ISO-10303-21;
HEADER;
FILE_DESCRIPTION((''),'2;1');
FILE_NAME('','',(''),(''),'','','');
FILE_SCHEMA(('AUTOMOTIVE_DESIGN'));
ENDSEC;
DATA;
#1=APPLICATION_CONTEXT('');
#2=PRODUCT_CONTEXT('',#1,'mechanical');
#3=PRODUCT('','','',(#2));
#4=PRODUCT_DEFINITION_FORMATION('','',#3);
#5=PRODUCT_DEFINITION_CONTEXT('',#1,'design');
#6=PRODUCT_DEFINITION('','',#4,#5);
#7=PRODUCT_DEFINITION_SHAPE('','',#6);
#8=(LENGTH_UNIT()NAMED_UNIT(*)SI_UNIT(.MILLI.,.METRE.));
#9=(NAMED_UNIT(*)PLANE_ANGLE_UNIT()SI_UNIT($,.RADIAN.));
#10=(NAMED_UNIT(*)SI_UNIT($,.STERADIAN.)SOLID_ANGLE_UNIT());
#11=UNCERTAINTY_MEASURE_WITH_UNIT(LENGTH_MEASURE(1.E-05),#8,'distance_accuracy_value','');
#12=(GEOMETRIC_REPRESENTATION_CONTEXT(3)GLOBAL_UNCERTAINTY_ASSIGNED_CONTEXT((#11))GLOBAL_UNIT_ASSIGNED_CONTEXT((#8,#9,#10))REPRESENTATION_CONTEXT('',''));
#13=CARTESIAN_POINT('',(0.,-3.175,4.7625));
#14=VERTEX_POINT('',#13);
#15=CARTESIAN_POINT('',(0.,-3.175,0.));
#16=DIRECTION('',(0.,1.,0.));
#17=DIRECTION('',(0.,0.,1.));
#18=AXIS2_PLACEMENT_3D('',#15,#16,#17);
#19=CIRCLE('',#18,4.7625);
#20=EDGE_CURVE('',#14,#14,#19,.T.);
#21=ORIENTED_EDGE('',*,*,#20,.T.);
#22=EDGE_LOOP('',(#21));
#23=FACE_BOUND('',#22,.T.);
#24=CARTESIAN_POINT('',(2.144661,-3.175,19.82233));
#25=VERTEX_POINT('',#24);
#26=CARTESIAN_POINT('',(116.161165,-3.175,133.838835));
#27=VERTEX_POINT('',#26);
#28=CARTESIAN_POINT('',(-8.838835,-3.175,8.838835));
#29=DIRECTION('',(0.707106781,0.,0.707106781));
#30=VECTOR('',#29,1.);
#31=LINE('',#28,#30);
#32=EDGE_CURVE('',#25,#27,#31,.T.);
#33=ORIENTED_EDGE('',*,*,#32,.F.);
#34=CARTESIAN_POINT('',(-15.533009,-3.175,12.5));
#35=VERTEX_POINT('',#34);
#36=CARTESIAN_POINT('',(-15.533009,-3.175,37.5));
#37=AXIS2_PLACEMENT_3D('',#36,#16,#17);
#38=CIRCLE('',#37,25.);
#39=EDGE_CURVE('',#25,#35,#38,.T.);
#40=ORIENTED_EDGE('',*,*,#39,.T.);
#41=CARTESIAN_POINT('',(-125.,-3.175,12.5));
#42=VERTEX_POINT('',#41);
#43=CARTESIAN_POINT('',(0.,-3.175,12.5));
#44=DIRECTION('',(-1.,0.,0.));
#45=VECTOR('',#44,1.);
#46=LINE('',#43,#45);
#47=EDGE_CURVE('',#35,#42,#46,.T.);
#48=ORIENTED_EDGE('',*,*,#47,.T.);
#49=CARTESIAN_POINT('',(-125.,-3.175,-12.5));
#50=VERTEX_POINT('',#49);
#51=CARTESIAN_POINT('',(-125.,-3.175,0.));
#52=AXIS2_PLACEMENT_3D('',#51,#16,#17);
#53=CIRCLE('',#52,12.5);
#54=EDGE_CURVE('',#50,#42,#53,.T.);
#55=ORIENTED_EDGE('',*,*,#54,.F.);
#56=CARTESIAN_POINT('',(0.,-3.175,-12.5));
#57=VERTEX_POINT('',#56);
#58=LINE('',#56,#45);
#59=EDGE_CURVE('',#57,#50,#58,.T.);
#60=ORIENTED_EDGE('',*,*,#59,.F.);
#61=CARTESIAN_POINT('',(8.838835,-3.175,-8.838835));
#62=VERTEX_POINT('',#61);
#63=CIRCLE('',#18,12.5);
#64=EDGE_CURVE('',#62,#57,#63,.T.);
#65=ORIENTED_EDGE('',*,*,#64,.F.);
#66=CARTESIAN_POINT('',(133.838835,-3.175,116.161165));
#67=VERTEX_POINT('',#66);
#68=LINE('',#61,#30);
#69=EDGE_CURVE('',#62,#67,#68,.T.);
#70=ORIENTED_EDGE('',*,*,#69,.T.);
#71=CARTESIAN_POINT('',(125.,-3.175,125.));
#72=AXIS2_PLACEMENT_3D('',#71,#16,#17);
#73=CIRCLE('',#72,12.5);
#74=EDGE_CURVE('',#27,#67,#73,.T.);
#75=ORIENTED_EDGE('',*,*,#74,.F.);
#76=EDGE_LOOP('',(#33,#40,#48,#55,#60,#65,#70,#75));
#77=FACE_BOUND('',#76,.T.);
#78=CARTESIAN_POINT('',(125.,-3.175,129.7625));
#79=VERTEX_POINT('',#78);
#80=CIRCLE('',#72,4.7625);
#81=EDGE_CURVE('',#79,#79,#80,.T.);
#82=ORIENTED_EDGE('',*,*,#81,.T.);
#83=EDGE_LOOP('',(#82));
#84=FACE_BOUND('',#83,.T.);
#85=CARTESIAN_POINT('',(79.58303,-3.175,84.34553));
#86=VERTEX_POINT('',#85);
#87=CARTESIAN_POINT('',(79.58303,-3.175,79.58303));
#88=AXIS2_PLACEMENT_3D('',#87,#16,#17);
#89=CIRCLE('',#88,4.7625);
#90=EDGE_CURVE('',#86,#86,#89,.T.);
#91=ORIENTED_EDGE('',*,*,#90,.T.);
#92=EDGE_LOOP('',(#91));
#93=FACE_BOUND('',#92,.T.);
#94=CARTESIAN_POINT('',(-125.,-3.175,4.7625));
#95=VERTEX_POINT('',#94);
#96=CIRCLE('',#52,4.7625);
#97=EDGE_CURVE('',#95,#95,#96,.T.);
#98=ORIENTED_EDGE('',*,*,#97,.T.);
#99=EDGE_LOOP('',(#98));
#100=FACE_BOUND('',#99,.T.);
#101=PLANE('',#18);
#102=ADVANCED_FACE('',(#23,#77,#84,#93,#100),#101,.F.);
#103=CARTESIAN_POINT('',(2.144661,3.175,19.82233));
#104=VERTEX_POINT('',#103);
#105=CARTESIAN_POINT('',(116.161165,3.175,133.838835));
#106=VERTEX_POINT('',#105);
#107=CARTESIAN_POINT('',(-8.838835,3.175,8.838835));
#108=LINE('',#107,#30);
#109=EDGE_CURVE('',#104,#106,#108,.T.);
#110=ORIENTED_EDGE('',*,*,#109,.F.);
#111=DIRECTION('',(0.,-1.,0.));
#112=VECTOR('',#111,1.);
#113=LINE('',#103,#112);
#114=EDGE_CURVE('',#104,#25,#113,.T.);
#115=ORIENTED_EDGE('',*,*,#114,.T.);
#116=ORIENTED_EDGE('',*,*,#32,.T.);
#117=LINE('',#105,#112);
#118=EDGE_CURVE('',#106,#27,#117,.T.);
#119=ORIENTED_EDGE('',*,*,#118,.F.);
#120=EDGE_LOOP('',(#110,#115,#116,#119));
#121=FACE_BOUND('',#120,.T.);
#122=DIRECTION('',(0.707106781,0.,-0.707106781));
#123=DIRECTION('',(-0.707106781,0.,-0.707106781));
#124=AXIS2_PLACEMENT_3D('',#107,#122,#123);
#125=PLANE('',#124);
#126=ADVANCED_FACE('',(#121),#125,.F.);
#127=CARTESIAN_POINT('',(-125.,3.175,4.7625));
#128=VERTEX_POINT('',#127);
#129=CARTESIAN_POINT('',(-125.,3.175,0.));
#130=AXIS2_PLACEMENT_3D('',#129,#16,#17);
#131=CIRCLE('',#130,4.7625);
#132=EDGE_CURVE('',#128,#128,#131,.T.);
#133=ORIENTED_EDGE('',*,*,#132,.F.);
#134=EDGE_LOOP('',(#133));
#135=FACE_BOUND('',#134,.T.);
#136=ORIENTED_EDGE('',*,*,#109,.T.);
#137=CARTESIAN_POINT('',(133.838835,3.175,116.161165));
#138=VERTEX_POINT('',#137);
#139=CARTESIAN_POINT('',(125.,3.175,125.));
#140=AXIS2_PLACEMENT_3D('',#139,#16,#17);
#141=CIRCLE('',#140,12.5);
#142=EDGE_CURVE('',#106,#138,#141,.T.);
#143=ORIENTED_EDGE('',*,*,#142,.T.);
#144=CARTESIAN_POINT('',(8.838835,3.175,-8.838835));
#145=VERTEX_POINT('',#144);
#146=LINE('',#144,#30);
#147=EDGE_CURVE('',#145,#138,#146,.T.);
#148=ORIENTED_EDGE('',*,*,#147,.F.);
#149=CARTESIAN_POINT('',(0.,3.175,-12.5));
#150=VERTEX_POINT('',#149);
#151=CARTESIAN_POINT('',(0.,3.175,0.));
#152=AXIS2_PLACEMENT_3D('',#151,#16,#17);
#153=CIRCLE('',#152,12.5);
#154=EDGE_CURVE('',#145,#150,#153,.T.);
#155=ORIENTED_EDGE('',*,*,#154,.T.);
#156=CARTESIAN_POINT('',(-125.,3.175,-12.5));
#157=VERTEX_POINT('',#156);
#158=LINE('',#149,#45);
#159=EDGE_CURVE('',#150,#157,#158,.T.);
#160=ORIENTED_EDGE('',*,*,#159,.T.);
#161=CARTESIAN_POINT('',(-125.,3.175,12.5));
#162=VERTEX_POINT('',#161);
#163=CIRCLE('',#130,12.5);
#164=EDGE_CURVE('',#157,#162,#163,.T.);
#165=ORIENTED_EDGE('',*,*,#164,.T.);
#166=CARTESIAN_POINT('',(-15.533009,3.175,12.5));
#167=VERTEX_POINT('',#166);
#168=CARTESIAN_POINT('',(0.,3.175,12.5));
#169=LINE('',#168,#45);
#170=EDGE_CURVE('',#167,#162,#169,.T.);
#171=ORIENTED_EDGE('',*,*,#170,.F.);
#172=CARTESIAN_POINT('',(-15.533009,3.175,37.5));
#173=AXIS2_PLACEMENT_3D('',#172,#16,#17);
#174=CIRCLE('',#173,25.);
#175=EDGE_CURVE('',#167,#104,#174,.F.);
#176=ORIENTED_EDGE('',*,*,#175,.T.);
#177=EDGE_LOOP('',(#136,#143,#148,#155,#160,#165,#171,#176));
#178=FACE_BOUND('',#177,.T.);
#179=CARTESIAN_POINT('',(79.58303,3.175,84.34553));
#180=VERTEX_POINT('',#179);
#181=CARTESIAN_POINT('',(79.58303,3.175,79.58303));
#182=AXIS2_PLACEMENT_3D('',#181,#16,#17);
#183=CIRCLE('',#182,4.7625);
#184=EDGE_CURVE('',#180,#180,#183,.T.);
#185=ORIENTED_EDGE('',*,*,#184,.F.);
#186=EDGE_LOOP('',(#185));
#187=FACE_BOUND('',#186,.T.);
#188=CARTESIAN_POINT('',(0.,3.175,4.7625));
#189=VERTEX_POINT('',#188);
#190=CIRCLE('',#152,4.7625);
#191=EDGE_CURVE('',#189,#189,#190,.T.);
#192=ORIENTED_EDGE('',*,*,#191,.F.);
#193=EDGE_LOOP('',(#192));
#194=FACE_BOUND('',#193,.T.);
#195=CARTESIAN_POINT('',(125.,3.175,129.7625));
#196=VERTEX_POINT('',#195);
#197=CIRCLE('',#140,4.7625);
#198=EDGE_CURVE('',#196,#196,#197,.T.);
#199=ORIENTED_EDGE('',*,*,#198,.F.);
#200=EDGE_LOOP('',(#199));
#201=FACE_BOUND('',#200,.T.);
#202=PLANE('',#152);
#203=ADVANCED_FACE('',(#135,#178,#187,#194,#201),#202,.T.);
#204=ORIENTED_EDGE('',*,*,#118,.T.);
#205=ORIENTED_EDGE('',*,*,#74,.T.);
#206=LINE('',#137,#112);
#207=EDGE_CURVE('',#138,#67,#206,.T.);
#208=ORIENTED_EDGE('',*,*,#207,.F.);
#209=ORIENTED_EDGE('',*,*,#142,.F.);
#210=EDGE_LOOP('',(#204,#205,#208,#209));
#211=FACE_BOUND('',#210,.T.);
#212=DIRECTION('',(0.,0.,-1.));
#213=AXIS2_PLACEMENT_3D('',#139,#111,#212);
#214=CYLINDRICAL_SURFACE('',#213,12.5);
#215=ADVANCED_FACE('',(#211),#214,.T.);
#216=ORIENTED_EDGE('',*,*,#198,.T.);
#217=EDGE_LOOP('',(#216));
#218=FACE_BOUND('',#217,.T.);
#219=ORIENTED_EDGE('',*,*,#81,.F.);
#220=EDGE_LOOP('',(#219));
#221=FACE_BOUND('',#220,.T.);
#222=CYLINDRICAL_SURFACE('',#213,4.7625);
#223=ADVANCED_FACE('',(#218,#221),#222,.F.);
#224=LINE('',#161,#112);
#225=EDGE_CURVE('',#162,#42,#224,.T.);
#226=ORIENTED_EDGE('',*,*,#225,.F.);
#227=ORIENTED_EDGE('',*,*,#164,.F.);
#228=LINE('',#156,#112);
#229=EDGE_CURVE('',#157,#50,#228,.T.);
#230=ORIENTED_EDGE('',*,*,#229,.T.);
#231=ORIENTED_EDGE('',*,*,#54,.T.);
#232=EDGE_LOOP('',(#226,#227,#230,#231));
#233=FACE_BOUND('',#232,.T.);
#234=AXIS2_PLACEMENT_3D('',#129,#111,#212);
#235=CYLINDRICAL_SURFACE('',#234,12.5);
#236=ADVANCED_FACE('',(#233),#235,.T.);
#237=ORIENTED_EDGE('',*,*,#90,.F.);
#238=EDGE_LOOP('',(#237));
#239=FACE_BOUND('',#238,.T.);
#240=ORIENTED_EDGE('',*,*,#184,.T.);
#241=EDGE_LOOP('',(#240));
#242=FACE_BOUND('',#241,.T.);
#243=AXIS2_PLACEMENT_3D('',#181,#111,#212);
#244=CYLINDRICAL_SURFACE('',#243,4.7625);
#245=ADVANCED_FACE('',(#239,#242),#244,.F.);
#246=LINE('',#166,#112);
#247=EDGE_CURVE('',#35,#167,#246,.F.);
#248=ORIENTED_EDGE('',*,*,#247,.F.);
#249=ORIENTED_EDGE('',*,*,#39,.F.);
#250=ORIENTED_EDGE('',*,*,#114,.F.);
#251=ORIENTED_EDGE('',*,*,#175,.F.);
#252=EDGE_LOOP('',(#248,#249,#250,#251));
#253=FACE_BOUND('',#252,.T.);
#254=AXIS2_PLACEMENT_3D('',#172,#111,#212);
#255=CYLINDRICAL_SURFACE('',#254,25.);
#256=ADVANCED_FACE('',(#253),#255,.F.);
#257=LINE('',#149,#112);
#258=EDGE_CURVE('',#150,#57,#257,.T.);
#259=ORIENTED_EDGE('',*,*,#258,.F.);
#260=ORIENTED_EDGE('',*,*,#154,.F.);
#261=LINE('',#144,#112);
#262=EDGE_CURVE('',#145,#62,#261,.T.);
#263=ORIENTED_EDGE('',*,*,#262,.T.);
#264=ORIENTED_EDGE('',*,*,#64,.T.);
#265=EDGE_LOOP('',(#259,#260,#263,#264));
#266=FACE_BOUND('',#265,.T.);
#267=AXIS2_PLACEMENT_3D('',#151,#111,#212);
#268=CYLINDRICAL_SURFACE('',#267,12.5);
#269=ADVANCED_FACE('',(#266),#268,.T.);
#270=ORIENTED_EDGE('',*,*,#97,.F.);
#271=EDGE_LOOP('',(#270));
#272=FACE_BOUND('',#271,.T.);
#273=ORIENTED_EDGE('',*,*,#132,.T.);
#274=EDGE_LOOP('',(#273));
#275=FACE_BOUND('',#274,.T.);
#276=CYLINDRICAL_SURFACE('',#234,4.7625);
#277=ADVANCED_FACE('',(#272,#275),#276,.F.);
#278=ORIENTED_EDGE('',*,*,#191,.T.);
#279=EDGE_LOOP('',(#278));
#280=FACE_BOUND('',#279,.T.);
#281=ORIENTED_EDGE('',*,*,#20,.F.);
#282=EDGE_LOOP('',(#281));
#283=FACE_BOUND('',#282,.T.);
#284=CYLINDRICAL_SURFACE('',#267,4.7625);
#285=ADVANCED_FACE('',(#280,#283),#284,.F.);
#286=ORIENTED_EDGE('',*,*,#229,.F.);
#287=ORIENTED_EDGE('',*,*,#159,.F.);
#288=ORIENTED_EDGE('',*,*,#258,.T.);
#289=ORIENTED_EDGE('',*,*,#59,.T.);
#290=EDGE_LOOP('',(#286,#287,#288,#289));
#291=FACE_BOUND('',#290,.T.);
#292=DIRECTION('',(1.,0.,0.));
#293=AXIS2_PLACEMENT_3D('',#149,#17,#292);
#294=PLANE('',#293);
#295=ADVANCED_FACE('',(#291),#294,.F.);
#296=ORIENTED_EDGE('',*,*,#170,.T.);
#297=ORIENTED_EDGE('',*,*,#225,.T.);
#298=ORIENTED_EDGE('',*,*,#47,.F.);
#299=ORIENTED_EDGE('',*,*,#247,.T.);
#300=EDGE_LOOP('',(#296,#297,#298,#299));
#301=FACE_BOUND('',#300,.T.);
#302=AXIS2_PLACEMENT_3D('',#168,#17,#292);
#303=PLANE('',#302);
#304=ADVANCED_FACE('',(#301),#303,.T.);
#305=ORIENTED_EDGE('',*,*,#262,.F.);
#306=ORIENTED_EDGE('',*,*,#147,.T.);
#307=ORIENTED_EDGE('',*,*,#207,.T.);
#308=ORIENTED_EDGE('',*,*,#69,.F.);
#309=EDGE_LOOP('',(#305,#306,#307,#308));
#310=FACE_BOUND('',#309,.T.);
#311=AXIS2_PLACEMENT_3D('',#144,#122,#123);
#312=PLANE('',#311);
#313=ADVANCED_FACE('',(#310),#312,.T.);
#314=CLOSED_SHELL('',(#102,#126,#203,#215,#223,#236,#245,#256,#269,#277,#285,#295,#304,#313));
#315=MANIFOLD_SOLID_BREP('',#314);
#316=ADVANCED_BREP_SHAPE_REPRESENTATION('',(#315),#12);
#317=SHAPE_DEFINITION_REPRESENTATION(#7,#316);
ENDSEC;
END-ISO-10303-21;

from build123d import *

# Parameters (mm, degrees)
SKETCH1_R           = 4.7625
BOSS_EXTRUDE1_DEPTH = 3.175
FILLET1_R           = 25


with BuildPart() as part:
    # Sketch1 → Boss-Extrude1 (new, symmetric)
    # profile 1 of 3: a face of its own
    with BuildSketch(Plane(origin=(0, 0, 0), x_dir=(1, 0, 0), z_dir=(0, 1, 0))):
        with BuildLine():
            Line((-125, -12.5), (-5.17766953, -12.5))
            Line((-5.17766953, -12.5), (-8.838834765, -8.838834765))
            ThreePointArc((-8.838834765, -8.838834765), (-11.548494156, 4.783542905), (0, 12.5))
            Line((0, 12.5), (-125, 12.5))
            ThreePointArc((-125, 12.5), (-137.5, 0), (-125, -12.5))
        make_face()
        with Locations(Location((-125, 0, 0), (0, 0, 270))):
            Circle(SKETCH1_R, mode=Mode.SUBTRACT)
    # profile 2 of 3: a face of its own
    with BuildSketch(Plane(origin=(0, 0, 0), x_dir=(1, 0, 0), z_dir=(0, 1, 0))):
        with BuildLine():
            Line((-5.17766953, -12.5), (0, -12.5))
            ThreePointArc((0, -12.5), (11.548494156, -4.783542905), (8.838834765, 8.838834765))
            ThreePointArc((8.838834765, 8.838834765), (4.783542905, 11.548494156), (0, 12.5))
            ThreePointArc((0, 12.5), (-11.548494156, 4.783542905), (-8.838834765, -8.838834765))
            Line((-8.838834765, -8.838834765), (-5.17766953, -12.5))
        make_face()
        with Locations(Location((0, 0, 0), (0, 0, 270))):
            Circle(SKETCH1_R, mode=Mode.SUBTRACT)
    # profile 3 of 3: a face of its own
    with BuildSketch(Plane(origin=(0, 0, 0), x_dir=(1, 0, 0), z_dir=(0, 1, 0))):
        with BuildLine():
            ThreePointArc((8.838834765, 8.838834765), (11.548494156, -4.783542905), (0, -12.5))
            Line((0, -12.5), (-5.17766953, -12.5))
            Line((-5.17766953, -12.5), (116.161165235, -133.838834765))
            ThreePointArc((116.161165235, -133.838834765), (133.838834765, -133.838834765), (133.838834765, -116.161165235))
            Line((133.838834765, -116.161165235), (8.838834765, 8.838834765))
        make_face()
        with Locations(Location((125, -125, 0), (0, 0, 270))):
            Circle(SKETCH1_R, mode=Mode.SUBTRACT)
        with Locations(Location((79.583029745, -79.583029745, 0), (0, 0, 270))):
            Circle(SKETCH1_R, mode=Mode.SUBTRACT)
    extrude(amount=BOSS_EXTRUDE1_DEPTH, both=True)

    # Fillet1
    fillet1_edges = [part.edges().sort_by_distance(p)[0] for p in [
        (-5.17766953, 0, 12.5),
    ]]
    fillet(fillet1_edges, radius=FILLET1_R)


solid = part.part
